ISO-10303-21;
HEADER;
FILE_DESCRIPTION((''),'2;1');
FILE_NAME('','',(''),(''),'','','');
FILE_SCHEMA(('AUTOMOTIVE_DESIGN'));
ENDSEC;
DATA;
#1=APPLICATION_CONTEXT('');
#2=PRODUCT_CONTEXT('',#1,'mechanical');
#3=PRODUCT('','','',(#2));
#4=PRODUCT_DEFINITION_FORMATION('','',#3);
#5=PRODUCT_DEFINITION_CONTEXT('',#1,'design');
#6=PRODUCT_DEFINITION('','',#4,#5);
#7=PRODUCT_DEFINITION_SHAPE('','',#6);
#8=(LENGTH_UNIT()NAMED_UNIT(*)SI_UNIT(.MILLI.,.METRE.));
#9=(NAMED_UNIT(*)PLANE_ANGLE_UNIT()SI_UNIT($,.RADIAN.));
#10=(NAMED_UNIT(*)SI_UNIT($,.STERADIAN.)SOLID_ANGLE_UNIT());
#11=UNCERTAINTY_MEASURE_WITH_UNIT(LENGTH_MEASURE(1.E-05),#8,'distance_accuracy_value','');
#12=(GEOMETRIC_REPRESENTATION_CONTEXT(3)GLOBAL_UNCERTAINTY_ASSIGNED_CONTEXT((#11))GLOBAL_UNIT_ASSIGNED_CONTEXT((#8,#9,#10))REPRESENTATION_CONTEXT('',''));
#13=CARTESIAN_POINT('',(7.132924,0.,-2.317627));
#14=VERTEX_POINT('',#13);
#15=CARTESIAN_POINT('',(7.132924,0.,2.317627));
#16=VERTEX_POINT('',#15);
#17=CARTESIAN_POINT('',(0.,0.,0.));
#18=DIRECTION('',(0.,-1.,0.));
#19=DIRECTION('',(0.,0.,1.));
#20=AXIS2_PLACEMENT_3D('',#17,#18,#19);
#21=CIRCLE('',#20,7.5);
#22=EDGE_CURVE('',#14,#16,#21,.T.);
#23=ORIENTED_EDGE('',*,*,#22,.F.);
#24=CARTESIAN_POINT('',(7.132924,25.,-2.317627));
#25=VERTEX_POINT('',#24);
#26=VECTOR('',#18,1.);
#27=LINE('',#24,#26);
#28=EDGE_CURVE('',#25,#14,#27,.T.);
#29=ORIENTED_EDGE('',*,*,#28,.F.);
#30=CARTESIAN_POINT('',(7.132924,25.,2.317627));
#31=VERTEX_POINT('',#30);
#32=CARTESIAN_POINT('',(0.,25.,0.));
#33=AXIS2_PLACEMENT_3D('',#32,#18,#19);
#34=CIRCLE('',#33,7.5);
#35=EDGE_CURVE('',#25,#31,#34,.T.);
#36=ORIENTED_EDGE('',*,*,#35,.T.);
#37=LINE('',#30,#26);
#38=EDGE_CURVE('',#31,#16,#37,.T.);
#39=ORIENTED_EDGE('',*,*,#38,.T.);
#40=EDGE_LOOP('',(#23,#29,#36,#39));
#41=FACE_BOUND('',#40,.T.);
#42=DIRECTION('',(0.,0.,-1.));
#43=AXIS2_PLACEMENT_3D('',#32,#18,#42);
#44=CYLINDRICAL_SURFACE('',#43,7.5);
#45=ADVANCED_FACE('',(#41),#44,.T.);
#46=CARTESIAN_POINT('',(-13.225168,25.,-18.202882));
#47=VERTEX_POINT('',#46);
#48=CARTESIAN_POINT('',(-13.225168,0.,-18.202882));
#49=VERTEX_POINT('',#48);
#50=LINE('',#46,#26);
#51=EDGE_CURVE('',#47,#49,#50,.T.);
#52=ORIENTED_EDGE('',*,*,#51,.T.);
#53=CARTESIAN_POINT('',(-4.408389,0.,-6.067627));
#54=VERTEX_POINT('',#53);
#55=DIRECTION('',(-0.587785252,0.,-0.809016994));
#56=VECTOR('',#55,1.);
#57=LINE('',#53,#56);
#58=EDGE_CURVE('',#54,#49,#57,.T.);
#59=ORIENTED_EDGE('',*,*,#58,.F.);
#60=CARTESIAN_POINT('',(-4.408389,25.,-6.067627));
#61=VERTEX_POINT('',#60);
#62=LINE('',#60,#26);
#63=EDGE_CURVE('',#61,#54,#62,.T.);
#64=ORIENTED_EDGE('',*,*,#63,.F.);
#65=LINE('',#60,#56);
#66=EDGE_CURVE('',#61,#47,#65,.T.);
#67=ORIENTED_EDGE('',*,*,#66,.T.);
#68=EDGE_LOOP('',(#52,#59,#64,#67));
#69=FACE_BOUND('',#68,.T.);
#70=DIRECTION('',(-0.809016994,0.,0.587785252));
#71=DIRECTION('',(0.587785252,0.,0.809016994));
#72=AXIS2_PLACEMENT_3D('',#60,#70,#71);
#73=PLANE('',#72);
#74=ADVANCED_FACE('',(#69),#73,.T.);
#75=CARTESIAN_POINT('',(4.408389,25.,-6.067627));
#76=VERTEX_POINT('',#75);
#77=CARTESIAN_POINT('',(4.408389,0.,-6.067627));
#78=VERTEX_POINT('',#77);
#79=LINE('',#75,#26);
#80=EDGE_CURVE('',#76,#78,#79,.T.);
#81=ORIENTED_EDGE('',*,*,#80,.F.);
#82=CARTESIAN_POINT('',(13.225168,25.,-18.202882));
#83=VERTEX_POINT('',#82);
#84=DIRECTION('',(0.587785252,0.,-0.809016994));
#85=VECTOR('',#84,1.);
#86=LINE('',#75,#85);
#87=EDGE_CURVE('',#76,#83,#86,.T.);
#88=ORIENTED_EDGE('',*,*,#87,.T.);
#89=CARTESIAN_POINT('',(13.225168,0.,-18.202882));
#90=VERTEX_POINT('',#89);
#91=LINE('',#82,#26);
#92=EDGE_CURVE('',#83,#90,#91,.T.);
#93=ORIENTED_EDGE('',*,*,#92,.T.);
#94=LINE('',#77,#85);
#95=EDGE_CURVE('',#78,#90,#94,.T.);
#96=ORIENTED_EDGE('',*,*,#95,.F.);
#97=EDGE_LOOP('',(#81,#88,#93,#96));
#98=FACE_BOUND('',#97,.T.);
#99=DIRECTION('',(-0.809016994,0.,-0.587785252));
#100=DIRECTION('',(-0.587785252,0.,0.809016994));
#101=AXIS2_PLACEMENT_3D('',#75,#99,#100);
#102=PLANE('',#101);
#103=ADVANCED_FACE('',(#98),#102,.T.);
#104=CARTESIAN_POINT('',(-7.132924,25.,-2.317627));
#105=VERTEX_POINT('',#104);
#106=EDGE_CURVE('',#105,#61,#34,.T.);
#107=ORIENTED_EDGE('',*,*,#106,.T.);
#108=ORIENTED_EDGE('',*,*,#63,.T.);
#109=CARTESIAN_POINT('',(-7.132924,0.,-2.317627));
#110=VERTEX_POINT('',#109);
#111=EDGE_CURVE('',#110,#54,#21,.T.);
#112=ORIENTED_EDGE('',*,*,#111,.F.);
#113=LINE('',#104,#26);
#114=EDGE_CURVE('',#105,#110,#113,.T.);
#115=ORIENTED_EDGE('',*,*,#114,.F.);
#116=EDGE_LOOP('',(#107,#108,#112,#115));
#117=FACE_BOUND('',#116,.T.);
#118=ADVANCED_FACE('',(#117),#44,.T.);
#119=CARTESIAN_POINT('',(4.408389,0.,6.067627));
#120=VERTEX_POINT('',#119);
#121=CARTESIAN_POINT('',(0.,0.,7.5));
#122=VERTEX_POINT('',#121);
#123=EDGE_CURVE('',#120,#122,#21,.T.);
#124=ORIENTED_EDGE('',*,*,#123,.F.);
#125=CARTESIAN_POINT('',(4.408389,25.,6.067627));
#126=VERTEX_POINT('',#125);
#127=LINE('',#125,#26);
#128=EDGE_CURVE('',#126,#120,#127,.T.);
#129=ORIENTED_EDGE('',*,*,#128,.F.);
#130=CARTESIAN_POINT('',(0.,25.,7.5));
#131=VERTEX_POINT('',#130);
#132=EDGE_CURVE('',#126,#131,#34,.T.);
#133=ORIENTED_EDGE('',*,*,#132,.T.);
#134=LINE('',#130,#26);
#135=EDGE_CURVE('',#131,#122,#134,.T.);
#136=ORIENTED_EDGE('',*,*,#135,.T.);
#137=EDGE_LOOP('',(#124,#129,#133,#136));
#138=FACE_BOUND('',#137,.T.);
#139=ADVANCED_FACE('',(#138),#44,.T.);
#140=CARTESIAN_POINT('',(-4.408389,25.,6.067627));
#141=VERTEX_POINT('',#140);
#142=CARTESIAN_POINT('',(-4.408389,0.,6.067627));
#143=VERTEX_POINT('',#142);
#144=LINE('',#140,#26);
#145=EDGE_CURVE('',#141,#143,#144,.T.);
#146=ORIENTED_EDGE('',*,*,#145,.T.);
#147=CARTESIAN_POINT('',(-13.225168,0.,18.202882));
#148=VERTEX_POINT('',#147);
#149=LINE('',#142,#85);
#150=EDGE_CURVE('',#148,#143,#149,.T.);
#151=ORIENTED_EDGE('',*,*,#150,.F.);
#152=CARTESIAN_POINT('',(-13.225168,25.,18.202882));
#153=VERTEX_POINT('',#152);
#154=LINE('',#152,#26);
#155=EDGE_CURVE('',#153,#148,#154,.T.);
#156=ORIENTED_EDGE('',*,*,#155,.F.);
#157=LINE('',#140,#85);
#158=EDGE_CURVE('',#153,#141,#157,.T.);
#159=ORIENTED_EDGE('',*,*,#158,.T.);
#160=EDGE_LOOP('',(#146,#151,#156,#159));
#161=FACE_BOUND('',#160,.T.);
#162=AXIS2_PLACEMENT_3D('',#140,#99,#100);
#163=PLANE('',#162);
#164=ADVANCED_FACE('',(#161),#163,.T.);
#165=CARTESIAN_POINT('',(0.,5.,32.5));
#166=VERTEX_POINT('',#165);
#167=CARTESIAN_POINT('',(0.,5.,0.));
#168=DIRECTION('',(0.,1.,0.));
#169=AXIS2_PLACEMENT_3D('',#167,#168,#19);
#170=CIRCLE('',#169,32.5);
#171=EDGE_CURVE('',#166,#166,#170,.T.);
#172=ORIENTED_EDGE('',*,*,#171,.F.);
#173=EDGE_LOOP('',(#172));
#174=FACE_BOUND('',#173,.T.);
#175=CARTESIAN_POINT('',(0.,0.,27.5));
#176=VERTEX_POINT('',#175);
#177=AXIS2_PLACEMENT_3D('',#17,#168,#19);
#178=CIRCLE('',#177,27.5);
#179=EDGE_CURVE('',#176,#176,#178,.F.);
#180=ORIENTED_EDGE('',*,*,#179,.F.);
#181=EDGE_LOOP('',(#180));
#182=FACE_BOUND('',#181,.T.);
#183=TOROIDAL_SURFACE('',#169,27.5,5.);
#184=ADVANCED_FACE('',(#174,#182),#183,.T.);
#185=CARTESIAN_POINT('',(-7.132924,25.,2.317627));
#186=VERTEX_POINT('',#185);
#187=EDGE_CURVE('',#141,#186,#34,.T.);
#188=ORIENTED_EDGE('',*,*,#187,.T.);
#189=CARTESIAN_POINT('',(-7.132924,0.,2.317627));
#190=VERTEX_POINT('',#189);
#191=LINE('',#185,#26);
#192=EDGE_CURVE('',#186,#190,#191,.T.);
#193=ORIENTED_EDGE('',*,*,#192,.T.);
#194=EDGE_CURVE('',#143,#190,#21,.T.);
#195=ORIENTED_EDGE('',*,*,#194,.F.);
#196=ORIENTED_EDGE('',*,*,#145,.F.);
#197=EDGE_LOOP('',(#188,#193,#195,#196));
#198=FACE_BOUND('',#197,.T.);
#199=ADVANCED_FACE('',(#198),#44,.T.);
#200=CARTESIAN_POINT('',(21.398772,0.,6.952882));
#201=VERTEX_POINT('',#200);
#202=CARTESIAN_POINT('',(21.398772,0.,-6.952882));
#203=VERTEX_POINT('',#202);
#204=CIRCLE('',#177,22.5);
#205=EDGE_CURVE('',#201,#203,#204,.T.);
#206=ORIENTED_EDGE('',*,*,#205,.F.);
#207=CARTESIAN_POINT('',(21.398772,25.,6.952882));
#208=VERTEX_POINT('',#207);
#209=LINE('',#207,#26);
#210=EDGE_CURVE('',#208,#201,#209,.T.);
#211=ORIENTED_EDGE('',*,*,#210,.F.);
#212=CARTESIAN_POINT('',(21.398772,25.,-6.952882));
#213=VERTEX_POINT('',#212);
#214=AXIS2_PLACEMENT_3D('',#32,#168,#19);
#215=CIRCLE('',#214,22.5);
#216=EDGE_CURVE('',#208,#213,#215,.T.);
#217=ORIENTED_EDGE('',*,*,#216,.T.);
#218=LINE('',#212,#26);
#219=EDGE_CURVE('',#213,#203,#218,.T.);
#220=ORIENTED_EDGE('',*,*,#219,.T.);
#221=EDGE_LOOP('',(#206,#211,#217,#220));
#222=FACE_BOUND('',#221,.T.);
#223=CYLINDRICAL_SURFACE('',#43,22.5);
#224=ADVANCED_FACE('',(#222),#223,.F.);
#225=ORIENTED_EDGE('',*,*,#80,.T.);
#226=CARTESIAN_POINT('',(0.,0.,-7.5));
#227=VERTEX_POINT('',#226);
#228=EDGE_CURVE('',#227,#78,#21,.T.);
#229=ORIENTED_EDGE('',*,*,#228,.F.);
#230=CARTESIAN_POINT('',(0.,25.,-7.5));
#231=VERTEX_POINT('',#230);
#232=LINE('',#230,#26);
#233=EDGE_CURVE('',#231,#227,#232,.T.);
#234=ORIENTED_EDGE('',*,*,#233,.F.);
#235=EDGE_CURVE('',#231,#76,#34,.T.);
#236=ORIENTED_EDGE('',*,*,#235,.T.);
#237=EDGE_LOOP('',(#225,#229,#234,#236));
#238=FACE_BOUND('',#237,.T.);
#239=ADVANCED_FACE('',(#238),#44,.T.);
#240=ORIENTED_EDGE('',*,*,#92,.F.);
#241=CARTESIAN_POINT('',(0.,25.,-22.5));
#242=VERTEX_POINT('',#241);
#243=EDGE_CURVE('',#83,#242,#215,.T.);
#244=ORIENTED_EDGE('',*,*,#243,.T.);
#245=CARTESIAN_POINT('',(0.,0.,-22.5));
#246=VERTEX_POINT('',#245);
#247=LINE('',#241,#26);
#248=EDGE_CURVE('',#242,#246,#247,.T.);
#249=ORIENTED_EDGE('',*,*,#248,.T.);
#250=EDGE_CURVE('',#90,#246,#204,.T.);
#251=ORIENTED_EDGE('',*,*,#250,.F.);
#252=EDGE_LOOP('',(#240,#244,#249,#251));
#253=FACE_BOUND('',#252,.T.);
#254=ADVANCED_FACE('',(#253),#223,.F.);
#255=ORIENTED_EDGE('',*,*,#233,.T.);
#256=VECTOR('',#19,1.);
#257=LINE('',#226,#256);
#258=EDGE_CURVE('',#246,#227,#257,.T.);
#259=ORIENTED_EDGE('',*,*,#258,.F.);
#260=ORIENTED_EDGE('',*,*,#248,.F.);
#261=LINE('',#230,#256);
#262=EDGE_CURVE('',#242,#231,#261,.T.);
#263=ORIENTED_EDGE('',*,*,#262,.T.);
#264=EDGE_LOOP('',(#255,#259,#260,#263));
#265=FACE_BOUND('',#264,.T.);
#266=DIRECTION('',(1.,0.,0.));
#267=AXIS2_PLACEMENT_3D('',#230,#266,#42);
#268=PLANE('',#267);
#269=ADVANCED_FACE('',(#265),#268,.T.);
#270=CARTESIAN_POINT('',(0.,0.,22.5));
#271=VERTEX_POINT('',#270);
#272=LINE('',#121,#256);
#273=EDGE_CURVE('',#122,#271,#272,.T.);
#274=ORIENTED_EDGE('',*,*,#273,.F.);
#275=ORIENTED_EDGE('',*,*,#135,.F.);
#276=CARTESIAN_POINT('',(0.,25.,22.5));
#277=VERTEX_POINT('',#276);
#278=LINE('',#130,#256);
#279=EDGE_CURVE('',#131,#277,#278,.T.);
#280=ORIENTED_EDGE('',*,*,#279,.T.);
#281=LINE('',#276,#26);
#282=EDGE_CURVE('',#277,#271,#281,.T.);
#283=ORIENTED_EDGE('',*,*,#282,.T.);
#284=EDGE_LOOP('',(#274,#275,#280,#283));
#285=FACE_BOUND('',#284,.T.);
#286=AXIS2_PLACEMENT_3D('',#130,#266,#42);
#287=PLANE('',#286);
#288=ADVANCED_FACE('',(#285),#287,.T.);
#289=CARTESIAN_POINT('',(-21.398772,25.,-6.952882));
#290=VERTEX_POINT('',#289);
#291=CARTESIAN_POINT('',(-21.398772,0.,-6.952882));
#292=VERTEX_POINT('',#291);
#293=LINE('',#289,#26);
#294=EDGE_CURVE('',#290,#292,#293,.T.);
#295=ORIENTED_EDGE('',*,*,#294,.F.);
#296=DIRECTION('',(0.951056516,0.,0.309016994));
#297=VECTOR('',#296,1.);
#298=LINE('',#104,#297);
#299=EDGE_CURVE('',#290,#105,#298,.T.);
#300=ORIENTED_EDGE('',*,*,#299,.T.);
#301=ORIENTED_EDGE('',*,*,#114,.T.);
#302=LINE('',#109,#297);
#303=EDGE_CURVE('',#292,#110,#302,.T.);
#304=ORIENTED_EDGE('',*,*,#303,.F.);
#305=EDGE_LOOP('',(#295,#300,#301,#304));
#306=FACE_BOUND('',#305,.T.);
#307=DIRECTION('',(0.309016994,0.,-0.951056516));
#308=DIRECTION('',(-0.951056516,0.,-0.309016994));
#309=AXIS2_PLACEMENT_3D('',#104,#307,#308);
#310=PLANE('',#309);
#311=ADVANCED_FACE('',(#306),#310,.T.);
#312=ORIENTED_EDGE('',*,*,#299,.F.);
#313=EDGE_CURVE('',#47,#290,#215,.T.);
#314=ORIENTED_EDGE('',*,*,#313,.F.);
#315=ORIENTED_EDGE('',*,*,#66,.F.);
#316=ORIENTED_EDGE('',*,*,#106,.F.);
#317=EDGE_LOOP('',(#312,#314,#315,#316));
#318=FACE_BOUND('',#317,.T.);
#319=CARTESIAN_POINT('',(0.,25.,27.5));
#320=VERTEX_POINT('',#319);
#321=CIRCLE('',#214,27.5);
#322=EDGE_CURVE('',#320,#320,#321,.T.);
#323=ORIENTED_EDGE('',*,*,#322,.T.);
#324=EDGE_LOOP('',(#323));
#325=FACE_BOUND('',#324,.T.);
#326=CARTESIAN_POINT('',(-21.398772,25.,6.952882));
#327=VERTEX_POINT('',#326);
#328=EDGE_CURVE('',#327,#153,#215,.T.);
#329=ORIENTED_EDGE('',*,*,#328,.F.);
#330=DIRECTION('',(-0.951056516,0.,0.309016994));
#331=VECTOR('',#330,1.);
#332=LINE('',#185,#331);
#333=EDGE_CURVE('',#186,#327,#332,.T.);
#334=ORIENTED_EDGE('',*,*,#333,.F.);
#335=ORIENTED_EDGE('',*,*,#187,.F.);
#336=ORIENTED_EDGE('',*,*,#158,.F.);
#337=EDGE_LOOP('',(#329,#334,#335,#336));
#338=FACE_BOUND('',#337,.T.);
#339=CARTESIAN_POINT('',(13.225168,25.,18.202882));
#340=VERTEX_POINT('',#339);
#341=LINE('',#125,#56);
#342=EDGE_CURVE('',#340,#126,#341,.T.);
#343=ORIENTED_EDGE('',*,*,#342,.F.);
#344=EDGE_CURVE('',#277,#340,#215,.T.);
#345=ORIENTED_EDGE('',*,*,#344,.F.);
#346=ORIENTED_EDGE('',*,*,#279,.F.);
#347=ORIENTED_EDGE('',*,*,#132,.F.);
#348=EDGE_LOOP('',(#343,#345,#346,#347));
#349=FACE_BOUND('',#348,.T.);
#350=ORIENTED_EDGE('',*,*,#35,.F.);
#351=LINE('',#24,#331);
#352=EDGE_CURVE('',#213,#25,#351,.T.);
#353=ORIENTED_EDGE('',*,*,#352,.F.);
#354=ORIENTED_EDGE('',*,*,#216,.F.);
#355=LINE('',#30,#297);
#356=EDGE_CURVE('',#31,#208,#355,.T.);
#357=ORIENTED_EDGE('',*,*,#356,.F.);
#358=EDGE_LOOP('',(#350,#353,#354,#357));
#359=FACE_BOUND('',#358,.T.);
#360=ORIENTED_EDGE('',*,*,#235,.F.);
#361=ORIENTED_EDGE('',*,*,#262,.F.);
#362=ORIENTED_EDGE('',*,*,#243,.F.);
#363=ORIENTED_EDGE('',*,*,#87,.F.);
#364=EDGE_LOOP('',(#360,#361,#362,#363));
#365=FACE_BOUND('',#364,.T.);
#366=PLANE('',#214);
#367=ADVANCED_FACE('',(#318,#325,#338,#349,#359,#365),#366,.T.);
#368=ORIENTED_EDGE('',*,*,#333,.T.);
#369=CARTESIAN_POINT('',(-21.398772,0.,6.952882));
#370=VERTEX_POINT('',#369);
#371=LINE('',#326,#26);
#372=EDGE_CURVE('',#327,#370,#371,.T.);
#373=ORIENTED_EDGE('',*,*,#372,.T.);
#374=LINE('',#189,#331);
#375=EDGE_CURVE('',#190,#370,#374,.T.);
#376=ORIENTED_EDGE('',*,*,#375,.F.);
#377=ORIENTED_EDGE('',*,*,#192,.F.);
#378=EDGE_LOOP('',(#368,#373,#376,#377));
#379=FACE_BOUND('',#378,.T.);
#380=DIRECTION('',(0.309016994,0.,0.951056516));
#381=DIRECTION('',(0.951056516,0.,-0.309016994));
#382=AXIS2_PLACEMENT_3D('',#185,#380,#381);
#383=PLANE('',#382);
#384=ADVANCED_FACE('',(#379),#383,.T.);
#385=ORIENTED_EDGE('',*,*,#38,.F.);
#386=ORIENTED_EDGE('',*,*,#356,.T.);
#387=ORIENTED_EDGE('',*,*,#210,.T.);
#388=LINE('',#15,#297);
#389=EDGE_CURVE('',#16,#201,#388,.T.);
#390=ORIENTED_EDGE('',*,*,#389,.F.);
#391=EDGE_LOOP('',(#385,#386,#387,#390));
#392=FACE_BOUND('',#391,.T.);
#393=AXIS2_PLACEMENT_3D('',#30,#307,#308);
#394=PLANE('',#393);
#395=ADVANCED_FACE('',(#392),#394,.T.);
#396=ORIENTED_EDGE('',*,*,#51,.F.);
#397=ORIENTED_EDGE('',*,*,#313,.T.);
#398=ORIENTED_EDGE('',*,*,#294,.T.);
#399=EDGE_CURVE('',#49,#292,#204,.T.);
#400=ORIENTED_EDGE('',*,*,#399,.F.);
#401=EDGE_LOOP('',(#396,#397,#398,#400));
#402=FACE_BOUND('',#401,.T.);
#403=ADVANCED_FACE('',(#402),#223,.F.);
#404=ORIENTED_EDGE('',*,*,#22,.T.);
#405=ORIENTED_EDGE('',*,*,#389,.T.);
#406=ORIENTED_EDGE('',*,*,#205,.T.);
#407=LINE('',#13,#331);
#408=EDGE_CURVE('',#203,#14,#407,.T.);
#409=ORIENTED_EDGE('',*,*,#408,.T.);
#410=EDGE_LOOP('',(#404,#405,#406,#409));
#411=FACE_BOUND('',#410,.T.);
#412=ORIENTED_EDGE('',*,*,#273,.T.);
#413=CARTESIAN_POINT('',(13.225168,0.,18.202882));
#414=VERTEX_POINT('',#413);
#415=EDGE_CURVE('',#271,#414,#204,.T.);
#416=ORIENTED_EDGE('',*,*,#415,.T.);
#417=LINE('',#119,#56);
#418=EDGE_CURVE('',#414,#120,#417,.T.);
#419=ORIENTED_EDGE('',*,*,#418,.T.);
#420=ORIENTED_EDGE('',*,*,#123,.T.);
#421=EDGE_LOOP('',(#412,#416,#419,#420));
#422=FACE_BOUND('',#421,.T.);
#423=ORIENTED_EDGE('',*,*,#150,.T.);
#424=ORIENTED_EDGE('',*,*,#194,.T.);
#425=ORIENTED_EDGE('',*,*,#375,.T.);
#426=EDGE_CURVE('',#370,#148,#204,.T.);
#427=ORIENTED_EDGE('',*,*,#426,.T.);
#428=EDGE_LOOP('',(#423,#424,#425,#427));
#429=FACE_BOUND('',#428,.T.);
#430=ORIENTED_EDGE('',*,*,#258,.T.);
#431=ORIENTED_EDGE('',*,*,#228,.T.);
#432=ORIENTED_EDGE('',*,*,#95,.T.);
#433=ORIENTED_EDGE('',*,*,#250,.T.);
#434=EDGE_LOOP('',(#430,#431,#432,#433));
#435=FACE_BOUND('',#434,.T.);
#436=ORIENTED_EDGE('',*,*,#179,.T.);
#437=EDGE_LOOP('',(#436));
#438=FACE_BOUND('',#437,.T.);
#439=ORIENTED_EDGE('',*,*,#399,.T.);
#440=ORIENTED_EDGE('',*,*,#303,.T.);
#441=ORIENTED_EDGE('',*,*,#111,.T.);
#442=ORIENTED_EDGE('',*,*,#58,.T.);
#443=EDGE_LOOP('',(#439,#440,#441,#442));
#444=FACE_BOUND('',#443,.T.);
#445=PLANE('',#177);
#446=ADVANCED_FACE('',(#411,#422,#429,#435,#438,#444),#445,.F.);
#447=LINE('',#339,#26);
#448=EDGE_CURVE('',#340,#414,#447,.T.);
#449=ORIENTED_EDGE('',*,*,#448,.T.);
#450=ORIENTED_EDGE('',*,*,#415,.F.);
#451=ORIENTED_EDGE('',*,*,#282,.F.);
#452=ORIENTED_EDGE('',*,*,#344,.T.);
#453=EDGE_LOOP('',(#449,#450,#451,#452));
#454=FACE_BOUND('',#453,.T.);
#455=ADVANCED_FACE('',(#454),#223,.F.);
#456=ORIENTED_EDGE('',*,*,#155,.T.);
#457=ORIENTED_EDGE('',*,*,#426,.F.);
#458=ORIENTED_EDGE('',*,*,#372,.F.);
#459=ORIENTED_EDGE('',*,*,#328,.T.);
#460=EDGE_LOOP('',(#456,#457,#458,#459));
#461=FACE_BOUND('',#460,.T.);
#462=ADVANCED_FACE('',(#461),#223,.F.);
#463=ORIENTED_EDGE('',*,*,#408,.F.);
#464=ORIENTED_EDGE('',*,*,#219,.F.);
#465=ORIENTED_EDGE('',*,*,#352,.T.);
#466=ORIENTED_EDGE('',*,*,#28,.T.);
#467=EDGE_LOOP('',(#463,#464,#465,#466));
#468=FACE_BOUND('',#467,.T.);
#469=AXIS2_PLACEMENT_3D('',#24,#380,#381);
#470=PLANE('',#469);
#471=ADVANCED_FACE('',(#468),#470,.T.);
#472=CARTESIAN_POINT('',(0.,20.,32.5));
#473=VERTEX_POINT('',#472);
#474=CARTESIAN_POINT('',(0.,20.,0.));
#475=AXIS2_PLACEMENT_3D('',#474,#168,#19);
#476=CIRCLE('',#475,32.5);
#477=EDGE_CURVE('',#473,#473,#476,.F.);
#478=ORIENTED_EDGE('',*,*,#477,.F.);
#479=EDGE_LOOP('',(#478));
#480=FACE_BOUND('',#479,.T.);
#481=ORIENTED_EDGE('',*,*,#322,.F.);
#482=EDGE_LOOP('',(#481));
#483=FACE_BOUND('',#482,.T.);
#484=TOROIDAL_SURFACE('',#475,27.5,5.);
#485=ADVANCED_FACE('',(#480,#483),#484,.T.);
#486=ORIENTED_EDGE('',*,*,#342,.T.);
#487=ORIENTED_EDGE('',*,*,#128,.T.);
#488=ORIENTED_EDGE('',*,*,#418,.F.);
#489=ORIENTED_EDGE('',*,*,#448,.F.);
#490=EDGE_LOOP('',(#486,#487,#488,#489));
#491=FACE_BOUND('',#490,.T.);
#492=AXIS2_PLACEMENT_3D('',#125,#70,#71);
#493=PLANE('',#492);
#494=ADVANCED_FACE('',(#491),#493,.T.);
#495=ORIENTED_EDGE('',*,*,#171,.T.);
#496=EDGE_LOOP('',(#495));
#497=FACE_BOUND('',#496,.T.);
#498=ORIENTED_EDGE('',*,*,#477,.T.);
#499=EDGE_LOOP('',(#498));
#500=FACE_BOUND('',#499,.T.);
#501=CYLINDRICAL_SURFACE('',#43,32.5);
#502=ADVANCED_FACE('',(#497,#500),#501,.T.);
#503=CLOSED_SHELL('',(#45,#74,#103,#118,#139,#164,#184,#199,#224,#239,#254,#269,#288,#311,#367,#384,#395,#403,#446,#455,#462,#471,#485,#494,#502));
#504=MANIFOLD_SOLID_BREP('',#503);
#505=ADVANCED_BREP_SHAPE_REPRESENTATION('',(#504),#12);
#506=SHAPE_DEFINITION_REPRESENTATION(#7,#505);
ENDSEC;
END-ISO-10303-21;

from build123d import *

# Parameters (mm, degrees)
SKETCH_1_R      = 32.5
EXTRUDE_1_DEPTH = 25
FILLET_1_R      = 5
FILLET_2_R      = 5


with BuildPart() as part:
    # 草图1 → 凸台-拉伸1 (new body)
    with BuildSketch(Plane(origin=(0, 0, 0), x_dir=(1, 0, 0), z_dir=(0, 1, 0))):
        with Locations(Location((0, 0, 0), (0, 0, 270))):
            Circle(SKETCH_1_R)
        with BuildLine():
            Line((0, 7.5), (0, 22.5))
            ThreePointArc((0, 22.5), (6.952882373, 21.398771617), (13.225168177, 18.202882373))
            Line((13.225168177, 18.202882373), (4.408389392, 6.067627458))
            ThreePointArc((4.408389392, 6.067627458), (2.317627458, 7.132923872), (0, 7.5))
        make_face(mode=Mode.SUBTRACT)
        with BuildLine():
            Line((7.132923872, 2.317627458), (21.398771617, 6.952882373))
            ThreePointArc((21.398771617, 6.952882373), (22.5, 0), (21.398771617, -6.952882373))
            Line((21.398771617, -6.952882373), (7.132923872, -2.317627458))
            ThreePointArc((7.132923872, -2.317627458), (7.5, 0), (7.132923872, 2.317627458))
        make_face(mode=Mode.SUBTRACT)
        with BuildLine():
            Line((4.408389392, -6.067627458), (13.225168177, -18.202882373))
            ThreePointArc((13.225168177, -18.202882373), (6.952882373, -21.398771617), (0, -22.5))
            Line((0, -22.5), (0, -7.5))
            ThreePointArc((0, -7.5), (2.317627458, -7.132923872), (4.408389392, -6.067627458))
        make_face(mode=Mode.SUBTRACT)
        with BuildLine():
            Line((-4.408389392, -6.067627458), (-13.225168177, -18.202882373))
            ThreePointArc((-13.225168177, -18.202882373), (-18.202882373, -13.225168177), (-21.398771617, -6.952882373))
            Line((-21.398771617, -6.952882373), (-7.132923872, -2.317627458))
            ThreePointArc((-7.132923872, -2.317627458), (-6.067627458, -4.408389392), (-4.408389392, -6.067627458))
        make_face(mode=Mode.SUBTRACT)
        with BuildLine():
            Line((-7.132923872, 2.317627458), (-21.398771617, 6.952882373))
            ThreePointArc((-21.398771617, 6.952882373), (-18.202882373, 13.225168177), (-13.225168177, 18.202882373))
            Line((-13.225168177, 18.202882373), (-4.408389392, 6.067627458))
            ThreePointArc((-4.408389392, 6.067627458), (-6.067627458, 4.408389392), (-7.132923872, 2.317627458))
        make_face(mode=Mode.SUBTRACT)
    extrude(amount=EXTRUDE_1_DEPTH)

    # 圆角1
    fillet_1_edges = [part.edges().sort_by_distance(p)[0] for p in [
        (0, 25, -32.5),
    ]]
    fillet(fillet_1_edges, radius=FILLET_1_R)

    # 圆角2
    fillet_2_edges = [part.edges().sort_by_distance(p)[0] for p in [
        (0, 0, -32.5),
    ]]
    fillet(fillet_2_edges, radius=FILLET_2_R)


solid = part.part
